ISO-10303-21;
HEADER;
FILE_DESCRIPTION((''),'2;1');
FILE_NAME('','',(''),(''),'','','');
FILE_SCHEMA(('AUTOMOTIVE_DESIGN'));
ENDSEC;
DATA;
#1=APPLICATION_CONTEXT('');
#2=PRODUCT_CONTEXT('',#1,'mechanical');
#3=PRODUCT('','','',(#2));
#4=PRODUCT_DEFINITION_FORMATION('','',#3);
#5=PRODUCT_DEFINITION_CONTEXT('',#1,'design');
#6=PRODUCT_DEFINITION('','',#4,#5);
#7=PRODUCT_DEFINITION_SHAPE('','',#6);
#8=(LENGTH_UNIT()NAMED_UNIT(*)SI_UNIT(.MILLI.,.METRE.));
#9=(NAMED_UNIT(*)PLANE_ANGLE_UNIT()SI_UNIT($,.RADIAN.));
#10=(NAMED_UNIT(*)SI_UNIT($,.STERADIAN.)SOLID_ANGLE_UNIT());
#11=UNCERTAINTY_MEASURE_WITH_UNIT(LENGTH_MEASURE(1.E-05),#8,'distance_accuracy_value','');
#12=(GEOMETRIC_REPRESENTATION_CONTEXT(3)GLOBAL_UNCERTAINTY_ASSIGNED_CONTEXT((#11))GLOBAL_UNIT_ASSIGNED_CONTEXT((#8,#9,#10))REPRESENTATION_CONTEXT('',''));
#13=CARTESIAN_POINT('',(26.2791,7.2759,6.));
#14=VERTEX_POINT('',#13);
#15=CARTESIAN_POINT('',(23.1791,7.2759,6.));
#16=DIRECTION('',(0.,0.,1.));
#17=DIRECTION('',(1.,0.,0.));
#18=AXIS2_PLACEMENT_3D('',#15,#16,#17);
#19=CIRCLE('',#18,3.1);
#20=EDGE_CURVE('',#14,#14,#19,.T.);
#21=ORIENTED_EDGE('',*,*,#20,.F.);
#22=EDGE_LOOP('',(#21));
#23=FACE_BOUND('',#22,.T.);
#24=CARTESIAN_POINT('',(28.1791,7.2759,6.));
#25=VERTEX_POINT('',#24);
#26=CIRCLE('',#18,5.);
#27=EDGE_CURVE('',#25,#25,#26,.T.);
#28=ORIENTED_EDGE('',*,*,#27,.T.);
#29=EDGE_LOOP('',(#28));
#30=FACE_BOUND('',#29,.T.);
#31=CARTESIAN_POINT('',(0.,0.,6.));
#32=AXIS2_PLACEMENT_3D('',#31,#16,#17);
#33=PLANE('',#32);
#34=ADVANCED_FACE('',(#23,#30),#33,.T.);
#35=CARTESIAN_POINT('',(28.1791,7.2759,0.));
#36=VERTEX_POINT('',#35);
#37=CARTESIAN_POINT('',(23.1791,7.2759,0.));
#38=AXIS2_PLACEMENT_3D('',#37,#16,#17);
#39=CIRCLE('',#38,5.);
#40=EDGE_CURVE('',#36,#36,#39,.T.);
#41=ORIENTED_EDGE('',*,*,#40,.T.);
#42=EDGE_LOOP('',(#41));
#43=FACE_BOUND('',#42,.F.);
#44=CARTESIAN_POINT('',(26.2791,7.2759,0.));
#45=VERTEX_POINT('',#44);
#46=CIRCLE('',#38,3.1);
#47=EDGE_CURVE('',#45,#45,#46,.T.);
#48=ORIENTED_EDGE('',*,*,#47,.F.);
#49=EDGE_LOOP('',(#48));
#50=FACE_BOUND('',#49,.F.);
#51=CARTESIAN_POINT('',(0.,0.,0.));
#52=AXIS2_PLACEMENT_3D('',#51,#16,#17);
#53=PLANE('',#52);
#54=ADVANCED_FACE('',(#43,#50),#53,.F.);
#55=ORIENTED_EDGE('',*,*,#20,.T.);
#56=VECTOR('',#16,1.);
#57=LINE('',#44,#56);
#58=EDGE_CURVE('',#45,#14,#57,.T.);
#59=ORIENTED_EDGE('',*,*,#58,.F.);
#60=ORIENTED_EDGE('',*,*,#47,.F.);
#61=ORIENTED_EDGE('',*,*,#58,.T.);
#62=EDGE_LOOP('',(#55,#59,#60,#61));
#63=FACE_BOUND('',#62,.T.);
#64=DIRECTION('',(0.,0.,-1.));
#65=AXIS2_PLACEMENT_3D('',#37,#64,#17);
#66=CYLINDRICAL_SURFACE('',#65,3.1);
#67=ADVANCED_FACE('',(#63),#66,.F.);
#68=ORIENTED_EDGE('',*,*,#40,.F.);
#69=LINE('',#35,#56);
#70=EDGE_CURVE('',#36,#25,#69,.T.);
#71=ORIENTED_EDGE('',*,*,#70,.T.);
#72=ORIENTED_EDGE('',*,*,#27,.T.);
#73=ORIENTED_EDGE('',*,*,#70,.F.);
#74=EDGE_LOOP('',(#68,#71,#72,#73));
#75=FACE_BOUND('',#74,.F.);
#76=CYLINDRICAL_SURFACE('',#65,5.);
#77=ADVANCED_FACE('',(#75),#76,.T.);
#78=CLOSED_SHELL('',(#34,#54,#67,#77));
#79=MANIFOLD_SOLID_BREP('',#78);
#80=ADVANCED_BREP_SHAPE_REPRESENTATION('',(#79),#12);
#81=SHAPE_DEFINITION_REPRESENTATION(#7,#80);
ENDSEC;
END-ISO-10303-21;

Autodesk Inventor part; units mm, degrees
ref_plane "YZ Plane" through (0, 0, 0) normal (1, 0, 0) x (0, 1, 0)
ref_plane "XZ Plane" through (0, 0, 0) normal (0, 1, 0) x (-1, 0, 0)
ref_plane "XY Plane" through (0, 0, 0) normal (0, 0, 1) x (1, 0, 0)
sketch "Sketch1" plane through (0, 0, 0) normal (0, 0, 1) x (1, 0, 0)
  circle A0 centre (23.1791, 7.2759) radius 3.1
  circle A1 centre (23.1791, 7.2759) radius 5
  point P0 (0, 0)
  dimension "d0" = 6.2
  dimension "d1" = 10
extrude "Extrusion1" add sketch "Sketch1" along normal blind 6
properties part number "6mm-spacer"
